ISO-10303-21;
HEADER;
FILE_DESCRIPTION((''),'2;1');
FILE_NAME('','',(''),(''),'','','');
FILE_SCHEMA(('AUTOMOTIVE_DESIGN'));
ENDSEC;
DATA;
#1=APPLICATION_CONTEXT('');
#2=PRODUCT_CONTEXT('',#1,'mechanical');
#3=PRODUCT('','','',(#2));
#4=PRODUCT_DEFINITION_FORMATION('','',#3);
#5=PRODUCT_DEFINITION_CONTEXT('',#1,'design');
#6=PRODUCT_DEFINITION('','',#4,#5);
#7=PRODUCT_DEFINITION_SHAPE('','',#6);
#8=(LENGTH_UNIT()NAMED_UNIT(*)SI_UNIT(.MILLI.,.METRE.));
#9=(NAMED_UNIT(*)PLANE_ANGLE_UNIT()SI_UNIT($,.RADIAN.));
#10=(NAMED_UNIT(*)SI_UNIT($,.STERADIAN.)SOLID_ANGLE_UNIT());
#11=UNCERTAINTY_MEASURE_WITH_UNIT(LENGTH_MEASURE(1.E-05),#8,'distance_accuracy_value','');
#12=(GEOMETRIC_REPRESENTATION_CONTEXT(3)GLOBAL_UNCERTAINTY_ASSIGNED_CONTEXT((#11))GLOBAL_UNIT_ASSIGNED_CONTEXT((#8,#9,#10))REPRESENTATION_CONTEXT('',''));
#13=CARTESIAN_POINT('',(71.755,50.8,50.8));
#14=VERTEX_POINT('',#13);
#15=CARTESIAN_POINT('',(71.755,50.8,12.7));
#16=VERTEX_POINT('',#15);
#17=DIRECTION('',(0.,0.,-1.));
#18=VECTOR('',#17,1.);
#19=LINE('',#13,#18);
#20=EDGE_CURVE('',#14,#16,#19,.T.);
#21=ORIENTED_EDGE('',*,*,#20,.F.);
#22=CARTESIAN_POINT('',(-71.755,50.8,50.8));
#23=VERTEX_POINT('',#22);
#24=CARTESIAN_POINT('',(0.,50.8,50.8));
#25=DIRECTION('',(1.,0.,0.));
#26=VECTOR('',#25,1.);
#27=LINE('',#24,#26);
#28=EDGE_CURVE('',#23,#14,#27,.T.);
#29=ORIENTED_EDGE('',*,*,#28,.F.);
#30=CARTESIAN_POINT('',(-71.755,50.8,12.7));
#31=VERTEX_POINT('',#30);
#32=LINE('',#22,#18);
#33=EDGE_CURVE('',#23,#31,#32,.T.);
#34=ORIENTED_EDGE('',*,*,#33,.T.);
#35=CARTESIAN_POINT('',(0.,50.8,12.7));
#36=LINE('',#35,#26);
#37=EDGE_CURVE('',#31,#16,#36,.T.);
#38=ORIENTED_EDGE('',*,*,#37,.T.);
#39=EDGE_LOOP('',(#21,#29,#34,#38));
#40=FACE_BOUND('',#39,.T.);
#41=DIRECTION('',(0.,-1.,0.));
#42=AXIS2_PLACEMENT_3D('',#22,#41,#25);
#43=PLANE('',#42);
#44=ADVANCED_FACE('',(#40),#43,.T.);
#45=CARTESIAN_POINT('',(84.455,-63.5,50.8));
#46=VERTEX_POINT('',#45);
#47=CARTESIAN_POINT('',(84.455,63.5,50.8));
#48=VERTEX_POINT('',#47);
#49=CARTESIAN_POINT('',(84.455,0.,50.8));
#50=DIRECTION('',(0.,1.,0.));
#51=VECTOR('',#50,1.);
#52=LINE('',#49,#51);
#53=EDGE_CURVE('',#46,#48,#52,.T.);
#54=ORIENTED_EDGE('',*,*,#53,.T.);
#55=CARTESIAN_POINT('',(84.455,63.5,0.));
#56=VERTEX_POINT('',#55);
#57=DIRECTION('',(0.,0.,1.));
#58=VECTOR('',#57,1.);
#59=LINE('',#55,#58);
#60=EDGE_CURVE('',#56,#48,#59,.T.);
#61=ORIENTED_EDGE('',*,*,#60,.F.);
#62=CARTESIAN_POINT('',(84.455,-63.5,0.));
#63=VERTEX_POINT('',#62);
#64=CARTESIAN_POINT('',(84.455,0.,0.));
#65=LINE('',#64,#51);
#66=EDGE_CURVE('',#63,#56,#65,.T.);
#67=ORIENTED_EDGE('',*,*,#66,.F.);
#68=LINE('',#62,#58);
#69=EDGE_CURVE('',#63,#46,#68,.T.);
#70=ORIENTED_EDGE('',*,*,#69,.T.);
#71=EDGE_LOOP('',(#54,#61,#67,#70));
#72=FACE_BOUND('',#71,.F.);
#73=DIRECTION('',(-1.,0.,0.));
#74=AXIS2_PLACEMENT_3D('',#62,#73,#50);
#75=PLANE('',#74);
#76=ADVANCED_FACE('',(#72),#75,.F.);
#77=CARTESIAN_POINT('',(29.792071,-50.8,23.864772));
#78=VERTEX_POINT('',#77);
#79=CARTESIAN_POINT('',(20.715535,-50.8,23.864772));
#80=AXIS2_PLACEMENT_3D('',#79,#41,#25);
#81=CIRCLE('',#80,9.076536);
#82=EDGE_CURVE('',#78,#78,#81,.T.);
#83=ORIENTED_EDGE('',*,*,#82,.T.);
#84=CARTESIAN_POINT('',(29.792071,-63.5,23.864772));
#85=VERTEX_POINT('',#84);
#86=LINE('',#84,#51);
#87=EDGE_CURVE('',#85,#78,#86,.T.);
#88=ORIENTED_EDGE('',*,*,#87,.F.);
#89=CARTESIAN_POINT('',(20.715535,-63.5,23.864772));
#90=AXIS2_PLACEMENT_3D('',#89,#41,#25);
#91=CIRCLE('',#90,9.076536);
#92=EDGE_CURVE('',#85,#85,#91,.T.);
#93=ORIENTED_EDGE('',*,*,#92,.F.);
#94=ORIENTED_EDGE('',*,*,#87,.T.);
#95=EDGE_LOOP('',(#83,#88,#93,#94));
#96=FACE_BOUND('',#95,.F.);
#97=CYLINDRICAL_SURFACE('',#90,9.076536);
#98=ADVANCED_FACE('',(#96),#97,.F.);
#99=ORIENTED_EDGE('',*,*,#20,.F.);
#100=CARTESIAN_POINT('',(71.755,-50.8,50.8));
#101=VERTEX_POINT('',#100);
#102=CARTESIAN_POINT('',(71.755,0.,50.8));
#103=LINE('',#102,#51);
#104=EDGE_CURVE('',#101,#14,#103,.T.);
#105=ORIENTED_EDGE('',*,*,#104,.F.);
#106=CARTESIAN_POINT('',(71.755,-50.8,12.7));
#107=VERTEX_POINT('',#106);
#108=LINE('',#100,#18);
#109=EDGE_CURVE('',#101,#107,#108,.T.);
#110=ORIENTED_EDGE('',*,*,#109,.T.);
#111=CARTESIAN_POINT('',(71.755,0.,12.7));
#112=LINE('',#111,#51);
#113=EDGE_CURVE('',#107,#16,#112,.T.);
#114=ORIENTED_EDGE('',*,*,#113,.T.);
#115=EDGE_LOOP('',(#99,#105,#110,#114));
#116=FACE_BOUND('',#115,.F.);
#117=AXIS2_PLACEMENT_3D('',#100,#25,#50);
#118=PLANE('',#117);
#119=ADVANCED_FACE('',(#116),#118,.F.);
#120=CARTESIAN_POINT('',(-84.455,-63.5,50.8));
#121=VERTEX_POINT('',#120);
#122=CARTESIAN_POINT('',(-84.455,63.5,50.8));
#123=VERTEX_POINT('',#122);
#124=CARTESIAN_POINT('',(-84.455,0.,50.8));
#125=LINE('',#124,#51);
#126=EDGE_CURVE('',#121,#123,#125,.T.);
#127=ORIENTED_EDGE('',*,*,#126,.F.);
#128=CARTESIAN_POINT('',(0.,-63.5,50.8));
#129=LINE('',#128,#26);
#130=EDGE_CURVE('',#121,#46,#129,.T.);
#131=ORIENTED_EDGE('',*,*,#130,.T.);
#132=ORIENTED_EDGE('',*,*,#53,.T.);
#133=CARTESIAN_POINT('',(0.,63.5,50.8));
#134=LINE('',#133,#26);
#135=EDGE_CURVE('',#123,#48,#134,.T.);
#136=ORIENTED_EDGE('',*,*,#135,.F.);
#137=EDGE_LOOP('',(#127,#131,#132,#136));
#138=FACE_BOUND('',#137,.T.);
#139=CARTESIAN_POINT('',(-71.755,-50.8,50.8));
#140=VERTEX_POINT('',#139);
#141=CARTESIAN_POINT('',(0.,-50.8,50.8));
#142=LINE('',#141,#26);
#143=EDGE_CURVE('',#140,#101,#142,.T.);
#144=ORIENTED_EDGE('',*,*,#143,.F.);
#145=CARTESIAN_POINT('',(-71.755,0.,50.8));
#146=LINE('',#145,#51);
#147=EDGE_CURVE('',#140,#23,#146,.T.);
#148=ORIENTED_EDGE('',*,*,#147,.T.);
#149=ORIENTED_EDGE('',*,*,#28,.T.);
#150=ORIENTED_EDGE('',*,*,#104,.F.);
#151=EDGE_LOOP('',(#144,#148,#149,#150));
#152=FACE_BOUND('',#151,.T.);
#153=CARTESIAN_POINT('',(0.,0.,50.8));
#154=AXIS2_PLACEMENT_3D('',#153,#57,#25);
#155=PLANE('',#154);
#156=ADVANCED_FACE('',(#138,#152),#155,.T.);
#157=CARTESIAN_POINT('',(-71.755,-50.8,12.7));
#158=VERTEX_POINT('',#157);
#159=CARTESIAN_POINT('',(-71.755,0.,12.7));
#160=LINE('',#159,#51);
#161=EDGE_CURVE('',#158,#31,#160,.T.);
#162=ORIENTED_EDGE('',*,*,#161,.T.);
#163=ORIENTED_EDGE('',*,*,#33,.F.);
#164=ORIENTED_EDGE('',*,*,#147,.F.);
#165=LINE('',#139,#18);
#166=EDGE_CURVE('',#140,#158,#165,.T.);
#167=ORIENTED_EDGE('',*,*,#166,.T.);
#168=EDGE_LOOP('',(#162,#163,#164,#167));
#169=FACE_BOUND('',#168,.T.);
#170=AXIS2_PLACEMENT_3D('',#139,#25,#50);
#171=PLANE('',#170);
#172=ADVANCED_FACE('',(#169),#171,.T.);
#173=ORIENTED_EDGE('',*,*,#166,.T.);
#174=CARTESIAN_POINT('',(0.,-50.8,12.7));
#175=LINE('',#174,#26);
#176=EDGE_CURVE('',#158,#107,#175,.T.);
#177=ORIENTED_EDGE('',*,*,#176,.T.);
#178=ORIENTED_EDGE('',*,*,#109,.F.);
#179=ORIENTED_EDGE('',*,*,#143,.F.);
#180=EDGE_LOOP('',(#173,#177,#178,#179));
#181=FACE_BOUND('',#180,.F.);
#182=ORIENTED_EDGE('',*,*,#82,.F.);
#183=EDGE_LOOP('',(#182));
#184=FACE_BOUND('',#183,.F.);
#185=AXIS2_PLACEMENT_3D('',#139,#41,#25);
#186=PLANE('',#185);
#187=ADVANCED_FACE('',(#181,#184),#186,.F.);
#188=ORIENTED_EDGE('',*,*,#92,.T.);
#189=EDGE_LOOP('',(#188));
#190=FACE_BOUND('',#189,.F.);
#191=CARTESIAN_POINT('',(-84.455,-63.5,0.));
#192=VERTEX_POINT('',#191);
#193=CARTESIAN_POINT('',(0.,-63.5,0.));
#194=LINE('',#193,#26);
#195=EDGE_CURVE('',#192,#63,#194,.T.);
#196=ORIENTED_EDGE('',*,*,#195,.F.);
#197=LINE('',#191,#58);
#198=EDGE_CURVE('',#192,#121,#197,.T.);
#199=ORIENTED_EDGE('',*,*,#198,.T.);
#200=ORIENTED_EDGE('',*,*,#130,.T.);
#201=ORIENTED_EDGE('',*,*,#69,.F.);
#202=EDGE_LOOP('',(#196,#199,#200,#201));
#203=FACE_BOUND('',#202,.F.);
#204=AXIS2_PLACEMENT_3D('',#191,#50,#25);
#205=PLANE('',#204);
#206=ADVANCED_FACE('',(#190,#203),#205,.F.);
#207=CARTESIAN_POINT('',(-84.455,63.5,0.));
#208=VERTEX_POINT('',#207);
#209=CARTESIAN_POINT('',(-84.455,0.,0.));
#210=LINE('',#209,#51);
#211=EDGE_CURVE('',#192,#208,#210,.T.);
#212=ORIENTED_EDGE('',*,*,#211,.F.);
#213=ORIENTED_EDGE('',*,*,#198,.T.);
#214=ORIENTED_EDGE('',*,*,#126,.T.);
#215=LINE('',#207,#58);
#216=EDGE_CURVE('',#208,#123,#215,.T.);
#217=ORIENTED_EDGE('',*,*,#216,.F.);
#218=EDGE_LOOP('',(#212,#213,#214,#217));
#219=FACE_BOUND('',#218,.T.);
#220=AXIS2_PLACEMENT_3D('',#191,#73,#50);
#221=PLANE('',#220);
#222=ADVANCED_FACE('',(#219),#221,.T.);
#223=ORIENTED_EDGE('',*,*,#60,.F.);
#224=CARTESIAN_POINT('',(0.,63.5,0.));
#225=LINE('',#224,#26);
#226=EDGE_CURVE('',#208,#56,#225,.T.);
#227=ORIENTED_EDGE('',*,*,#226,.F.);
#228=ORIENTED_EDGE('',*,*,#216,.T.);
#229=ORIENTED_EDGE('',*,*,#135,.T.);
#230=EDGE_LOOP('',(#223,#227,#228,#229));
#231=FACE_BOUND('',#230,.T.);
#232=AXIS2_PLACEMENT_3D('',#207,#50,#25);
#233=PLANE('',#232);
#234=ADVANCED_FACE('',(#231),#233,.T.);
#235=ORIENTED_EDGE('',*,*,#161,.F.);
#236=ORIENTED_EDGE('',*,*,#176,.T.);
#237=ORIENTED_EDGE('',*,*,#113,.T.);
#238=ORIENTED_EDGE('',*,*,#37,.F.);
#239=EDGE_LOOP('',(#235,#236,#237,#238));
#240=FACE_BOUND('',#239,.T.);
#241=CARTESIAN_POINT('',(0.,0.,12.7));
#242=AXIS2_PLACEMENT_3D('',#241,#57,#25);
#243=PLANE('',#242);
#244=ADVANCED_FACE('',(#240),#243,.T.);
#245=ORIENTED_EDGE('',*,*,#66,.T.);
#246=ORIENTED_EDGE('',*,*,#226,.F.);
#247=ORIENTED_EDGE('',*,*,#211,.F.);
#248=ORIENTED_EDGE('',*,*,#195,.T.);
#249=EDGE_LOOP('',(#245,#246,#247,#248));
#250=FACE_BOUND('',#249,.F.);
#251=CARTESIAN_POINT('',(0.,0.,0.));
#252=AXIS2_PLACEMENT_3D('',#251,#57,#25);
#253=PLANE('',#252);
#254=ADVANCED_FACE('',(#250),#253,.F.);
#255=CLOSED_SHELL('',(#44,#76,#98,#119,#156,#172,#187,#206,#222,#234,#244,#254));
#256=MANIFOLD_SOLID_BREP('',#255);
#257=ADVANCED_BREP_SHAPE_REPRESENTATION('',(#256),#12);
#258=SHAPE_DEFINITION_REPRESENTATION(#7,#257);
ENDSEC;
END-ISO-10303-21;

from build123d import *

# Parameters (mm, degrees)
F0_W     = 168.91
F0_H     = 127
F1_DEPTH = 50.8
F2_W     = 143.51
F2_H     = 101.6
F3_DEPTH = 38.1
F4_R     = 9.076536
F5_DEPTH = 25.4


with BuildPart() as f1:
    # F0 (on Top) → F1 (new body)
    with BuildSketch(Plane.XY):
        Rectangle(F0_W, F0_H)
    extrude(amount=F1_DEPTH)

    # F2 (on face) → F3 (cut)
    with BuildSketch(Plane.XY.offset(50.8)):
        Rectangle(F2_W, F2_H)
    extrude(amount=-F3_DEPTH, mode=Mode.SUBTRACT)

    # F4 (on face) → F5 (cut)
    with BuildSketch(Plane.XZ.offset(63.5)):
        with Locations((20.715535, 23.864772)):
            Circle(F4_R)
    extrude(amount=-F5_DEPTH, mode=Mode.SUBTRACT)


solid = f1.part
